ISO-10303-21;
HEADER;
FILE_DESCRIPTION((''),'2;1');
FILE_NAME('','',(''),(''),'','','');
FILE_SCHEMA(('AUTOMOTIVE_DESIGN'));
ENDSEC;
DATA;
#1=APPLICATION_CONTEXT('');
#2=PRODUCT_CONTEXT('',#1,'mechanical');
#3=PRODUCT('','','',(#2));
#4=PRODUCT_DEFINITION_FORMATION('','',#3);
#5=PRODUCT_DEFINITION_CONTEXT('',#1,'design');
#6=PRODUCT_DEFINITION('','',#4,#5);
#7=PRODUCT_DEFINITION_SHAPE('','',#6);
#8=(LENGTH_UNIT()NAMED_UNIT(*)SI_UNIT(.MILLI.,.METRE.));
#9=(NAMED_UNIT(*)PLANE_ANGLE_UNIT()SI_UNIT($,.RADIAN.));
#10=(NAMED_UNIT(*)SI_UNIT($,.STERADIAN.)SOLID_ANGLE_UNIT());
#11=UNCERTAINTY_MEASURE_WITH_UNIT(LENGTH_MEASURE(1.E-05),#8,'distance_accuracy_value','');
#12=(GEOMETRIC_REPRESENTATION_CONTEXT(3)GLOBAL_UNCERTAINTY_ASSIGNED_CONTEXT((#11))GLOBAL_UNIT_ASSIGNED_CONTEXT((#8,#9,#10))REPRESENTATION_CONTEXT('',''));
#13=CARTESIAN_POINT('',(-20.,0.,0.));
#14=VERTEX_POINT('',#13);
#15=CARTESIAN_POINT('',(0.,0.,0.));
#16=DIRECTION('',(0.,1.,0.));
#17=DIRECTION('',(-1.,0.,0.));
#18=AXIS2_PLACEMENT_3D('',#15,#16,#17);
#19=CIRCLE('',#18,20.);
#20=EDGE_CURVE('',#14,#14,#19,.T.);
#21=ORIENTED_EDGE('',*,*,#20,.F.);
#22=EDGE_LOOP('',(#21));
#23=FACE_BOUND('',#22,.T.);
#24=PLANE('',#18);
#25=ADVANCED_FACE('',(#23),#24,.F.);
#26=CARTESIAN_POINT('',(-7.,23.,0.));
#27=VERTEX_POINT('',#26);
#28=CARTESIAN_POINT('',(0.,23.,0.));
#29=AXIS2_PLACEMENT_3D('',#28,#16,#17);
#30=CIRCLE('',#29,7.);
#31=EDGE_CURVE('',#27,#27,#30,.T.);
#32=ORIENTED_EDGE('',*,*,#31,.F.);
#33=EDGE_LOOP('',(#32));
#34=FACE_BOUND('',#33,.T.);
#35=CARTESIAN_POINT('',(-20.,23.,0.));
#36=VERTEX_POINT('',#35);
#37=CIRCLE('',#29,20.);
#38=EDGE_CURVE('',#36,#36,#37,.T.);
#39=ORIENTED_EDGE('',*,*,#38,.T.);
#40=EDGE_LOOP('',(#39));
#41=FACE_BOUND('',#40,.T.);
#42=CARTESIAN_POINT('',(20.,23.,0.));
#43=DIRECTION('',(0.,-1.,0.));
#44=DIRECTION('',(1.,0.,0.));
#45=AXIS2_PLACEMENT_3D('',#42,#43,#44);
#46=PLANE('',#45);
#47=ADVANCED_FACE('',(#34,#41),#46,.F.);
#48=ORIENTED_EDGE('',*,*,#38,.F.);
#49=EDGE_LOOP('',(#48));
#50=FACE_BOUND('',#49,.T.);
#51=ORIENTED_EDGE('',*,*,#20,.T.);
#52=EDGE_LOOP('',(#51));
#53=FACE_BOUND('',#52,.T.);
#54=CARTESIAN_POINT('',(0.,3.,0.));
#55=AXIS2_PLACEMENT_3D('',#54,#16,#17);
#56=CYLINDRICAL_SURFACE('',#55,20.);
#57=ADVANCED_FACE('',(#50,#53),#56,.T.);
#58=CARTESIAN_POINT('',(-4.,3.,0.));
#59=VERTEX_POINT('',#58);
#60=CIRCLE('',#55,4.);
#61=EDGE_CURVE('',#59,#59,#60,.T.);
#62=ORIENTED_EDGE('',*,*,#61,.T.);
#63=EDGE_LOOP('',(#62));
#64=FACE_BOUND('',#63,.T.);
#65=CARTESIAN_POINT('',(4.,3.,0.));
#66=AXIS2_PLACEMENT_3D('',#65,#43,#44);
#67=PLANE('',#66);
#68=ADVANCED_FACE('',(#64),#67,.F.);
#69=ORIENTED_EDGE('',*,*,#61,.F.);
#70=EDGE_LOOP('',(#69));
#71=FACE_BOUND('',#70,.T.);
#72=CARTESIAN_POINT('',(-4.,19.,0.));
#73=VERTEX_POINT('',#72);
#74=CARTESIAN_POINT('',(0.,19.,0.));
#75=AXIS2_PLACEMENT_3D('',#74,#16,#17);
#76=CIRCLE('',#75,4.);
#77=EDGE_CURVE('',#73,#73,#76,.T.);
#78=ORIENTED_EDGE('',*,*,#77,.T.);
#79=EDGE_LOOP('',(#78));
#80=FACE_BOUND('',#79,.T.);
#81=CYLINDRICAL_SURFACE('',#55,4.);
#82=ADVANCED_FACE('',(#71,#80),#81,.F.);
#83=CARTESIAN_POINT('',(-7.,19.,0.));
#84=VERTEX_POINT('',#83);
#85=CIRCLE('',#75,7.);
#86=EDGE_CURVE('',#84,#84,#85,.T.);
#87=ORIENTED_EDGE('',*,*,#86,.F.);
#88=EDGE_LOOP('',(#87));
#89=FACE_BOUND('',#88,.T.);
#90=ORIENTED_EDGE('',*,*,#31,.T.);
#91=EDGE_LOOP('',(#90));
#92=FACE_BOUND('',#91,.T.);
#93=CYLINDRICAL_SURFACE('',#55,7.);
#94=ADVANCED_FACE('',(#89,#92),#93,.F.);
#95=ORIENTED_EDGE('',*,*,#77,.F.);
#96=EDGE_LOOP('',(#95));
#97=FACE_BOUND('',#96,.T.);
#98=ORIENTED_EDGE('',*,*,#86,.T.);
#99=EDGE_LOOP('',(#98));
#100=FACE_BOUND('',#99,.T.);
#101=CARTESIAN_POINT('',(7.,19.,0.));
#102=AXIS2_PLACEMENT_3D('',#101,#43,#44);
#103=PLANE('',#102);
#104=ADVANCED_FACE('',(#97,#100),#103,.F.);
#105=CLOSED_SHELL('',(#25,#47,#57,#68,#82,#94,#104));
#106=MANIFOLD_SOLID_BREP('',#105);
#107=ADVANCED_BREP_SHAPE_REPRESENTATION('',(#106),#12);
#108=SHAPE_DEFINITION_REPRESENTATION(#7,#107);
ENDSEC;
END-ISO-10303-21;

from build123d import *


with BuildPart() as part:
    # Эскиз1 → Повернуть1 (revolve)
    with BuildSketch(Plane.XY, mode=Mode.PRIVATE) as revolve_1_sk:
        Polygon((0, 3), (0, 0), (20, 0), (20, 23), (7, 23), (7, 19), (4, 19), (4, 3), align=None)
    revolve(revolve_1_sk.sketch.rotate(Axis((0, 3, 0), (0, -1, 0)), 180), axis=Axis((0, 3, 0), (0, -1, 0)))


solid = part.part
